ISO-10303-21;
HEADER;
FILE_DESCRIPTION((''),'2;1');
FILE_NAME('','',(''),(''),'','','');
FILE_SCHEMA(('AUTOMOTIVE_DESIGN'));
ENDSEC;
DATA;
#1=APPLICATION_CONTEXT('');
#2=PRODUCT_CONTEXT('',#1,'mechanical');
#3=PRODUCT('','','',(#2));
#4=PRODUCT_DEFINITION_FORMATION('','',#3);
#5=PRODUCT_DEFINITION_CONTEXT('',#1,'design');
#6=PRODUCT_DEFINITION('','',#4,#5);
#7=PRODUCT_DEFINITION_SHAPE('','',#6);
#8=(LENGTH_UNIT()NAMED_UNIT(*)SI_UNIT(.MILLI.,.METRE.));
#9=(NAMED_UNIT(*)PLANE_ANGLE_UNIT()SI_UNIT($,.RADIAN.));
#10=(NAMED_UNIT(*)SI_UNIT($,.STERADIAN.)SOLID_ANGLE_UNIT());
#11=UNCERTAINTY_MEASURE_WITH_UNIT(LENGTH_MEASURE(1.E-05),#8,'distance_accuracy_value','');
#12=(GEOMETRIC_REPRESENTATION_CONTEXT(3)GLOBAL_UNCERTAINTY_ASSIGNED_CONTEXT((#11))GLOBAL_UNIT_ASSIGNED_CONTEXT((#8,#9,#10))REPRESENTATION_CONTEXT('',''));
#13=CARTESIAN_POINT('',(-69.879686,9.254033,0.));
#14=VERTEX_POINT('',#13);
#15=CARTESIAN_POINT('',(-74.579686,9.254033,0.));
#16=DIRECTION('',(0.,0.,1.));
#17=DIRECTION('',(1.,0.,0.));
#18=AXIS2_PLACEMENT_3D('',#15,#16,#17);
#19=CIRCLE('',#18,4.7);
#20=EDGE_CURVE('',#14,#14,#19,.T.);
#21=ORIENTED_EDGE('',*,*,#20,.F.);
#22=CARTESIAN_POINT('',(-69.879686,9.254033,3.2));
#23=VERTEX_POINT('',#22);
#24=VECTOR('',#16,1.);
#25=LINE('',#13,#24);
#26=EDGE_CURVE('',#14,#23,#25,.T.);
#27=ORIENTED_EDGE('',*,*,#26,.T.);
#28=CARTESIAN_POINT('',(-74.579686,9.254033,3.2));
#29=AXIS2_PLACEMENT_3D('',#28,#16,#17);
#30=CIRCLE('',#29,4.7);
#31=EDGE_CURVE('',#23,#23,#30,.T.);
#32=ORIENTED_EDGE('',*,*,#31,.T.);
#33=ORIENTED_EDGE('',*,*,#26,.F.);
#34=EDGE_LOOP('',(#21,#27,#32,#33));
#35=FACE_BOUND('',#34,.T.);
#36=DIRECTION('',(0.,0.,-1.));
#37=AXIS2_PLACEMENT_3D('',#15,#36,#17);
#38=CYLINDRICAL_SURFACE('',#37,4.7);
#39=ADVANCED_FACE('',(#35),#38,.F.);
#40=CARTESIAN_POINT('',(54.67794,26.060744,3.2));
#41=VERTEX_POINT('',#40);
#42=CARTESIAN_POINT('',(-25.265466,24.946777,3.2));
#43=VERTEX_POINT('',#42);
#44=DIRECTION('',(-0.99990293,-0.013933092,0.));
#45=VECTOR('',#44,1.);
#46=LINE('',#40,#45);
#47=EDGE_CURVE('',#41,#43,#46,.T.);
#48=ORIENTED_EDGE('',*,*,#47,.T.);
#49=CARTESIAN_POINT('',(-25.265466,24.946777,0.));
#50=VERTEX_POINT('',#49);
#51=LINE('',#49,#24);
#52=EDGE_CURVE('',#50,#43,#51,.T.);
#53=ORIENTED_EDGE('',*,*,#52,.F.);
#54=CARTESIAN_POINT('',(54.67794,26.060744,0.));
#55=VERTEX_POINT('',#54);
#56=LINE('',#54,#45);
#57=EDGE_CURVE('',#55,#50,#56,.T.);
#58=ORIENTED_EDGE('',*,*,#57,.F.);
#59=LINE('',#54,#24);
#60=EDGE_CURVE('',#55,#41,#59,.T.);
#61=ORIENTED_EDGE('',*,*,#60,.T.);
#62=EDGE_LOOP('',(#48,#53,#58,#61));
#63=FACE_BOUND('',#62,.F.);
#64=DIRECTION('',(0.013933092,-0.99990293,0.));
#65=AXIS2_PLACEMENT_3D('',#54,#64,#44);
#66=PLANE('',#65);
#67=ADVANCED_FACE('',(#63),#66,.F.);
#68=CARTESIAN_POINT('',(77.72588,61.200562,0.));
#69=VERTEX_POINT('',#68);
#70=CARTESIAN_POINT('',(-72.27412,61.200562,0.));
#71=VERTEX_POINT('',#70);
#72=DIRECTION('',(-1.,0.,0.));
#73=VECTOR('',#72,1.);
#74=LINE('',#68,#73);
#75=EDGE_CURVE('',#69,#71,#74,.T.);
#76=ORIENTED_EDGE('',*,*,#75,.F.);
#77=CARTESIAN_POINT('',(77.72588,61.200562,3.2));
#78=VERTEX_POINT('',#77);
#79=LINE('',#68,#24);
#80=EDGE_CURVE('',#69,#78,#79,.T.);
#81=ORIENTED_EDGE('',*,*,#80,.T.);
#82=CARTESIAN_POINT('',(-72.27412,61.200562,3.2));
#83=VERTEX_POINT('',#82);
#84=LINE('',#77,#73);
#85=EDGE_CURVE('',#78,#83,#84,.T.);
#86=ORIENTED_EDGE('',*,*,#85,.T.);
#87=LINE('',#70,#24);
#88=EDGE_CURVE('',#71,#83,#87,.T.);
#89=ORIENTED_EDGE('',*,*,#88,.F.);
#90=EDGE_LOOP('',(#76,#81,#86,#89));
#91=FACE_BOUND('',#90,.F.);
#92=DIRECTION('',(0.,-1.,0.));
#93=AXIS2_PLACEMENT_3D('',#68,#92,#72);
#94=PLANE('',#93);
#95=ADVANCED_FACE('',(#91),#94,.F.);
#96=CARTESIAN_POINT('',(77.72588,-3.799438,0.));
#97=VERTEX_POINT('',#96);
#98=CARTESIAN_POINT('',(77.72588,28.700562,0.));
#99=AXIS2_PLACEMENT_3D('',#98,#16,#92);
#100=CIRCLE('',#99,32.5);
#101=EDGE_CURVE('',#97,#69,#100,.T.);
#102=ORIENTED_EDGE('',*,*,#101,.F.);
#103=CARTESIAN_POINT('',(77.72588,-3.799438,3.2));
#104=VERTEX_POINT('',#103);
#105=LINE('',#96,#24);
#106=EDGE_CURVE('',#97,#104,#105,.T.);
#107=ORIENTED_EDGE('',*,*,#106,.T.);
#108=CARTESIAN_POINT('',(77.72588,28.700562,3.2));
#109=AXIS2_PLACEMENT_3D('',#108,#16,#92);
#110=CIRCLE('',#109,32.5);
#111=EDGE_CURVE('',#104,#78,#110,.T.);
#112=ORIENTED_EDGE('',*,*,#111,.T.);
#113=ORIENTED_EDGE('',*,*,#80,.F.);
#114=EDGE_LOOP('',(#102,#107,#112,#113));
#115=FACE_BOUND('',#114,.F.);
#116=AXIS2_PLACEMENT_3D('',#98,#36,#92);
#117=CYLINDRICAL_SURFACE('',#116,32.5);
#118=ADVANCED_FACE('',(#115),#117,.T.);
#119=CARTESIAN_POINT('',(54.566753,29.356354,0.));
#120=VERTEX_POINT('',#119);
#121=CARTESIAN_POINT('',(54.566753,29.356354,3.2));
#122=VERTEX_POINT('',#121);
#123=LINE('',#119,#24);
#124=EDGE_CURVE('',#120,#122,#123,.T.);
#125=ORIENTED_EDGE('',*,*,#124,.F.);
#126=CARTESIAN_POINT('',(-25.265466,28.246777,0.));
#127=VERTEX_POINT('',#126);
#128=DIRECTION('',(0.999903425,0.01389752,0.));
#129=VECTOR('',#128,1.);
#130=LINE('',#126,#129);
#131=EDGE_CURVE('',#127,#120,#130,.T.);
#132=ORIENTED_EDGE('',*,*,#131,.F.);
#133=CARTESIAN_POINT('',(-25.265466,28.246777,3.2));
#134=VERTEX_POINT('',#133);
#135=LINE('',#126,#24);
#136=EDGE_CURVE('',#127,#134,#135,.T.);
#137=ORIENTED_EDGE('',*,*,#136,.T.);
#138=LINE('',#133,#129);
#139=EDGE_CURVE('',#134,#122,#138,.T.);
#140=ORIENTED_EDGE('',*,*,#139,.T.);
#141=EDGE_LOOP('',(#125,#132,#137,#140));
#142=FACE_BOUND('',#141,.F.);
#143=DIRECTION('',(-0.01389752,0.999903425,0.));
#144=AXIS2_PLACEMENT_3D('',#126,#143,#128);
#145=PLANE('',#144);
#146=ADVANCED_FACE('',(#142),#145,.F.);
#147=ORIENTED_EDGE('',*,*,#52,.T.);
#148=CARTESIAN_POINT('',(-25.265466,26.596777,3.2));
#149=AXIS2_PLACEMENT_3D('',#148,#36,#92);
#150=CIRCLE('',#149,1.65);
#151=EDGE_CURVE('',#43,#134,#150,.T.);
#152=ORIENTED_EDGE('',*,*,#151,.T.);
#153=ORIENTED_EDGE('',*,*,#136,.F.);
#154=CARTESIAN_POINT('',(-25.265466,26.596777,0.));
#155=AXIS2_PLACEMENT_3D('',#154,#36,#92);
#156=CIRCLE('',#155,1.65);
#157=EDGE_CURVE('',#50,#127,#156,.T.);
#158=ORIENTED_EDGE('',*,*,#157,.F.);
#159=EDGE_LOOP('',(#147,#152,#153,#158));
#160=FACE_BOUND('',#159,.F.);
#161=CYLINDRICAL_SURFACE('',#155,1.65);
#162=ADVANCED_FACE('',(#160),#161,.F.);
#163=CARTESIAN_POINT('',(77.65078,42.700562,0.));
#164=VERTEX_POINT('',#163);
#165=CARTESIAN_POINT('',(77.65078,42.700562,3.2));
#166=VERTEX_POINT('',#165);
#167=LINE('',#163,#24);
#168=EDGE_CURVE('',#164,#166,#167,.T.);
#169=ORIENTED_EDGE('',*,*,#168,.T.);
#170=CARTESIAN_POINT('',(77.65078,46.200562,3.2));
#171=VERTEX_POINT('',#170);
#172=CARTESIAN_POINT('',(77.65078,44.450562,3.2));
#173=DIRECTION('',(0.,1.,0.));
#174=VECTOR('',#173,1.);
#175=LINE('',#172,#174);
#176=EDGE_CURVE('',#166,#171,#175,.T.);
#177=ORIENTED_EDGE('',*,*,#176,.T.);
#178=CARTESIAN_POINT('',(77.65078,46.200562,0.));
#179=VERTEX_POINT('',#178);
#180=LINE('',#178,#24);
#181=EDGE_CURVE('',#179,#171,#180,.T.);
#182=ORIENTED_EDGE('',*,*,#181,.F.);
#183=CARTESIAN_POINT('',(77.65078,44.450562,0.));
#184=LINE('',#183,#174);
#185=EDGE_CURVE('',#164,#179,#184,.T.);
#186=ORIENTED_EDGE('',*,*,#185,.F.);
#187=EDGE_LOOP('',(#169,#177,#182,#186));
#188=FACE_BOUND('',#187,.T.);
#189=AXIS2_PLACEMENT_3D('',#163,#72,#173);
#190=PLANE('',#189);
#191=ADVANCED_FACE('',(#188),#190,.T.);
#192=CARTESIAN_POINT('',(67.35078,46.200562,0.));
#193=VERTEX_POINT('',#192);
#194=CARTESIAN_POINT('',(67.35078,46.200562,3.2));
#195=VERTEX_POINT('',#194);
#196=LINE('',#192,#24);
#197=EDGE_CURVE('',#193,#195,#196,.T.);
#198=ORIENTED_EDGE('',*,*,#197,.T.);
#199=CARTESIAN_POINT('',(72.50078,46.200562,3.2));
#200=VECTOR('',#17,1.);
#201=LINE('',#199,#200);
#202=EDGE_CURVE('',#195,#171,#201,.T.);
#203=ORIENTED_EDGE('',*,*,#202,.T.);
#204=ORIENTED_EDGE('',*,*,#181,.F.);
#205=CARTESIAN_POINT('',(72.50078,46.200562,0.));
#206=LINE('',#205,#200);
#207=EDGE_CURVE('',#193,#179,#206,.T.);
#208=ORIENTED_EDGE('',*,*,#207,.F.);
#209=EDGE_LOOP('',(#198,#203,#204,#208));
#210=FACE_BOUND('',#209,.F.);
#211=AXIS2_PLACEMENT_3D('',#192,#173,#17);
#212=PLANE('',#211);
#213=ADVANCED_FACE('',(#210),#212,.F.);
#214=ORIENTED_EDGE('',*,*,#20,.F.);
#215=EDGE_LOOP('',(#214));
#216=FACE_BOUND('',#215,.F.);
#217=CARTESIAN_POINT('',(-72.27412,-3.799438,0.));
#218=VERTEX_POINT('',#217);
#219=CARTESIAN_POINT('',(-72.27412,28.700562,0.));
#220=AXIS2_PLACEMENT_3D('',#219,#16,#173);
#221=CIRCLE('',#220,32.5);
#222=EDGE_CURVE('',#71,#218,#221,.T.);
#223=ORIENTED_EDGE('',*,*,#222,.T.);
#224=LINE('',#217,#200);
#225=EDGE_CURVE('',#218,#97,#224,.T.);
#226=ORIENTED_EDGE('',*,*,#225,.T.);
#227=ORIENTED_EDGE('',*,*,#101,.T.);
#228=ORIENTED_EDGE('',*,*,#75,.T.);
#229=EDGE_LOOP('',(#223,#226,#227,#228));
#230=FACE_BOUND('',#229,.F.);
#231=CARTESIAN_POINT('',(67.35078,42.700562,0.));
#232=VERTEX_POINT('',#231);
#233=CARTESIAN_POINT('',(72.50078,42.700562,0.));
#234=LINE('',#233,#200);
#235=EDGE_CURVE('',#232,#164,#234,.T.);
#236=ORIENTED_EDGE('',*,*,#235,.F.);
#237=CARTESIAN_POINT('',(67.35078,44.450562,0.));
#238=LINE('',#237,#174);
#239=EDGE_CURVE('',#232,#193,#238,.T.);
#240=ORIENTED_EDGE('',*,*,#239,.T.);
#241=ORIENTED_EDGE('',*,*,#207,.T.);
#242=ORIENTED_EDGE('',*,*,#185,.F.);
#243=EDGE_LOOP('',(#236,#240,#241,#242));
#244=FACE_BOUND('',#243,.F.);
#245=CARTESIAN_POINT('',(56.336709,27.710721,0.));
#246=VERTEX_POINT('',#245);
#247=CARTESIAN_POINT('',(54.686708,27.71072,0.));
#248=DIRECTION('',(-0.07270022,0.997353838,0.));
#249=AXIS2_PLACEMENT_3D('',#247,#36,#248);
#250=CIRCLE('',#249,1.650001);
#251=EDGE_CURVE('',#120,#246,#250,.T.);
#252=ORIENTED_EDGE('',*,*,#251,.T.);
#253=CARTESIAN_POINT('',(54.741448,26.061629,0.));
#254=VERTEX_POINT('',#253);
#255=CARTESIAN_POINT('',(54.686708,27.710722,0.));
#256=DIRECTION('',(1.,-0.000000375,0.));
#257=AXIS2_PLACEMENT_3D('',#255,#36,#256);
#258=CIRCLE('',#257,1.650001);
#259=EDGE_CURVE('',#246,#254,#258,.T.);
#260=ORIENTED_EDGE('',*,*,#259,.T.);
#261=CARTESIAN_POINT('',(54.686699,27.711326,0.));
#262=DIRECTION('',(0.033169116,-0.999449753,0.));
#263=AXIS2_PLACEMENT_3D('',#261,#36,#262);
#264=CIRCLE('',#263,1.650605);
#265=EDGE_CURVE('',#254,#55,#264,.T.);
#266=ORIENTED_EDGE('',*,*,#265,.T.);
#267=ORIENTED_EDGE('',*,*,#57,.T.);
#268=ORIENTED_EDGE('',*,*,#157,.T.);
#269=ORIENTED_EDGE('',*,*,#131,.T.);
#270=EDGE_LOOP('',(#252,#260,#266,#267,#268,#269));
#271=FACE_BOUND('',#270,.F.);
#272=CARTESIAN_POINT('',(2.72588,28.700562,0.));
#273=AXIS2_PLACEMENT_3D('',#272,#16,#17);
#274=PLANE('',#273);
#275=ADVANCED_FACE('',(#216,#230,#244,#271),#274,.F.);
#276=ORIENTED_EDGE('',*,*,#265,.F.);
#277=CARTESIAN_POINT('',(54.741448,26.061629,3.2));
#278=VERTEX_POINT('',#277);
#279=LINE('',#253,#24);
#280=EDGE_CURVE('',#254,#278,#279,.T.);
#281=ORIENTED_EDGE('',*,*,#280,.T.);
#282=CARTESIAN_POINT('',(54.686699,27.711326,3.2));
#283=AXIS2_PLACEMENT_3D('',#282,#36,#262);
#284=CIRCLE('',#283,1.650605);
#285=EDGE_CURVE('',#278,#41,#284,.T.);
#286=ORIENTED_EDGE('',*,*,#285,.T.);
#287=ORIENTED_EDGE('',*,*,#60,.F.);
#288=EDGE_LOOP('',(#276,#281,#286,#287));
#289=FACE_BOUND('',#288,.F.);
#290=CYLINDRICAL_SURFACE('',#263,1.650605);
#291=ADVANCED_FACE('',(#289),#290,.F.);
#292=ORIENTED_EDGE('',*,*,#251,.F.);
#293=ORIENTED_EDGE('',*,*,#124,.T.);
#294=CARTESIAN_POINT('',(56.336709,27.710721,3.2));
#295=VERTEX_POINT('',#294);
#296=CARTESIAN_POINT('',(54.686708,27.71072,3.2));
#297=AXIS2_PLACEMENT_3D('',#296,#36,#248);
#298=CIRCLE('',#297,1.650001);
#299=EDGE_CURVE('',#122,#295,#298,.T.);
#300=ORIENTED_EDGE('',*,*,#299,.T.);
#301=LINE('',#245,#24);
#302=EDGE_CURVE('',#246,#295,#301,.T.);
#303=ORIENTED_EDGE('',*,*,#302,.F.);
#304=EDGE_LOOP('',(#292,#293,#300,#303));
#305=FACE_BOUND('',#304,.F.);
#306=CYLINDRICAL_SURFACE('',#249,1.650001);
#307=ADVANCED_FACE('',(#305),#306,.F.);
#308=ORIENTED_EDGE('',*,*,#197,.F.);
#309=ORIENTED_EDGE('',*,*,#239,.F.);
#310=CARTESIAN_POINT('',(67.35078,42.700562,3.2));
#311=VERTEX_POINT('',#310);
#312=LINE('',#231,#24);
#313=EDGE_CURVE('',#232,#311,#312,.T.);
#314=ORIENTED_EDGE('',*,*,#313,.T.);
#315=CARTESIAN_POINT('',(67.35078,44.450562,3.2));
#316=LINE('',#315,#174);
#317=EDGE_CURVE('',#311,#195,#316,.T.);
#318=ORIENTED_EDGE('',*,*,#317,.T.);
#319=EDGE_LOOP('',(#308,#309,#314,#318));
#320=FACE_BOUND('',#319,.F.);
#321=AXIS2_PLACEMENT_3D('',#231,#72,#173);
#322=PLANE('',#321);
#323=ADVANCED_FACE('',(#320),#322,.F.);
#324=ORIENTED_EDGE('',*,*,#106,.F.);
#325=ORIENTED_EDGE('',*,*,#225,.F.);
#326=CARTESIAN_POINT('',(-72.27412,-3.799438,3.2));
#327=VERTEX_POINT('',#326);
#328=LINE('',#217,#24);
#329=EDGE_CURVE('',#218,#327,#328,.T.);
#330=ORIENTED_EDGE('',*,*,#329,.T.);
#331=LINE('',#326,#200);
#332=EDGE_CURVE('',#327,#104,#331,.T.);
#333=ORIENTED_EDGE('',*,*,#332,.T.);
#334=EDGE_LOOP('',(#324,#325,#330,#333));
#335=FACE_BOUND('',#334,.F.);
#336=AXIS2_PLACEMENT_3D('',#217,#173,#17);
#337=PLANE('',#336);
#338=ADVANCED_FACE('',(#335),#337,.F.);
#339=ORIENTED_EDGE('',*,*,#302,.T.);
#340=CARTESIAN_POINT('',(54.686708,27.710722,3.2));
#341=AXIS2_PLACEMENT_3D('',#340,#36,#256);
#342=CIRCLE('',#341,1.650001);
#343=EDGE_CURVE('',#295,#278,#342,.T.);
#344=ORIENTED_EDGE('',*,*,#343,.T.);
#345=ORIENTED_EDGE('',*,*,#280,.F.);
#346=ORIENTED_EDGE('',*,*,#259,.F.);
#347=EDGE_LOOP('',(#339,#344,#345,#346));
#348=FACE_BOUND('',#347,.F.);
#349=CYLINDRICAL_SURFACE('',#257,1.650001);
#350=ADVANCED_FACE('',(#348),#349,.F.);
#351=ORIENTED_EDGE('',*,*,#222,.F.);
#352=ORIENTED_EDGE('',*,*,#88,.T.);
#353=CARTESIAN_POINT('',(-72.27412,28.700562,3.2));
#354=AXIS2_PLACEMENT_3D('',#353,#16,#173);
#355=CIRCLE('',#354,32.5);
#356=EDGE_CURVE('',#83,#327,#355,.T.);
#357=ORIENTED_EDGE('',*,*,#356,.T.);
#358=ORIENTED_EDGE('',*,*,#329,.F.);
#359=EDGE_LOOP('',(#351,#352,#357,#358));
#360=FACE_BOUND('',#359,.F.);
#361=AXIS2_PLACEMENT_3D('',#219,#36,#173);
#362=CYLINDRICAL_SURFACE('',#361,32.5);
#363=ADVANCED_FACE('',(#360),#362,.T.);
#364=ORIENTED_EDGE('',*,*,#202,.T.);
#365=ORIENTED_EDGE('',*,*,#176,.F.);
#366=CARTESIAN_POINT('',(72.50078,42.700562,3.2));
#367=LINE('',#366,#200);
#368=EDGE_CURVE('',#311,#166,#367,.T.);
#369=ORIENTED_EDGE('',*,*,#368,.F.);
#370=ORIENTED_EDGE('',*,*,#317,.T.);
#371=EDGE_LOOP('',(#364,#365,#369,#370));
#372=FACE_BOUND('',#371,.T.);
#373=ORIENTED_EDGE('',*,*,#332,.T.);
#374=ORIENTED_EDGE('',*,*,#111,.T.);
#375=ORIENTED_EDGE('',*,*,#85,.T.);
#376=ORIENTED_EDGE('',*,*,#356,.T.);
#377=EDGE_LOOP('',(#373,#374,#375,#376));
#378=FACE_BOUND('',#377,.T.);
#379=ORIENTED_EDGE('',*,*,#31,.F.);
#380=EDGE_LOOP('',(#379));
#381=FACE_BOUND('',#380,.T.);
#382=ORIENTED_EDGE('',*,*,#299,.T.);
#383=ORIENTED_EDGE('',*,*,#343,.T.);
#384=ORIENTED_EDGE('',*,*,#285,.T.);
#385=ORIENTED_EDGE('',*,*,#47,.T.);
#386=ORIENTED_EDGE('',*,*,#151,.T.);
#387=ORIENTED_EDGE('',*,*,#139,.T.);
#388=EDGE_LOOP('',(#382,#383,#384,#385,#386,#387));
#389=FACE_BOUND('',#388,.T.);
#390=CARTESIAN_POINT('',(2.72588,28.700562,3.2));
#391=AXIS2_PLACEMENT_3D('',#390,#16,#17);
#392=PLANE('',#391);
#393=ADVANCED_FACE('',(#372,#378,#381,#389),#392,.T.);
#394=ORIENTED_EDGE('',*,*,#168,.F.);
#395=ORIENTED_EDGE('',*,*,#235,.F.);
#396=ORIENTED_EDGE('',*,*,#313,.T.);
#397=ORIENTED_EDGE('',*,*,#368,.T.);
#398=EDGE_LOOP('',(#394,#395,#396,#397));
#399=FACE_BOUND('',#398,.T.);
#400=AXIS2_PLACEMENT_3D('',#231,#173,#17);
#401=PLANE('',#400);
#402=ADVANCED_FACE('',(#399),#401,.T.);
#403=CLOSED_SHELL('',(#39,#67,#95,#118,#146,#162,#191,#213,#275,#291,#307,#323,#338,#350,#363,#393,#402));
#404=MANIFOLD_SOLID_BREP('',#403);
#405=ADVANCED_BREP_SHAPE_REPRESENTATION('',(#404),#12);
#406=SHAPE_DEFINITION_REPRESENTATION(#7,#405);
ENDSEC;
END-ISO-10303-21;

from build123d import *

# Parameters (mm, degrees)
F0_R     = 4.7
F0_W     = 10.3
F0_H     = 3.5
F1_DEPTH = 3.2


with BuildPart() as f1:
    # F0 (on Top) → F1 (new body)
    with BuildSketch(Plane.XY):
        with BuildLine():
            Line((77.72588, 61.200562), (-72.27412, 61.200562))
            ThreePointArc((-72.27412, 61.200562), (-104.77412, 28.700562), (-72.27412, -3.799438))
            Line((-72.27412, -3.799438), (77.72588, -3.799438))
            ThreePointArc((77.72588, -3.799438), (110.22588, 28.700562), (77.72588, 61.200562))
        make_face()
        with Locations((-74.579686, 9.254033)):
            Circle(F0_R, mode=Mode.SUBTRACT)
        with BuildLine():
            ThreePointArc((54.566753, 29.356354), (55.810224, 28.919113), (56.336709, 27.710721))
            ThreePointArc((56.336709, 27.710721), (55.87263, 26.563511), (54.741448, 26.061629))
            ThreePointArc((54.741448, 26.061629), (54.709698, 26.060881), (54.67794, 26.060744))
            Line((54.67794, 26.060744), (-25.265466, 24.946777))
            ThreePointArc((-25.265466, 24.946777), (-26.915466, 26.596777), (-25.265466, 28.246777))
            Line((-25.265466, 28.246777), (54.566753, 29.356354))
        make_face(mode=Mode.SUBTRACT)
        with Locations((72.50078, 44.450562)):
            Rectangle(F0_W, F0_H, mode=Mode.SUBTRACT)
    extrude(amount=F1_DEPTH)


solid = f1.part
